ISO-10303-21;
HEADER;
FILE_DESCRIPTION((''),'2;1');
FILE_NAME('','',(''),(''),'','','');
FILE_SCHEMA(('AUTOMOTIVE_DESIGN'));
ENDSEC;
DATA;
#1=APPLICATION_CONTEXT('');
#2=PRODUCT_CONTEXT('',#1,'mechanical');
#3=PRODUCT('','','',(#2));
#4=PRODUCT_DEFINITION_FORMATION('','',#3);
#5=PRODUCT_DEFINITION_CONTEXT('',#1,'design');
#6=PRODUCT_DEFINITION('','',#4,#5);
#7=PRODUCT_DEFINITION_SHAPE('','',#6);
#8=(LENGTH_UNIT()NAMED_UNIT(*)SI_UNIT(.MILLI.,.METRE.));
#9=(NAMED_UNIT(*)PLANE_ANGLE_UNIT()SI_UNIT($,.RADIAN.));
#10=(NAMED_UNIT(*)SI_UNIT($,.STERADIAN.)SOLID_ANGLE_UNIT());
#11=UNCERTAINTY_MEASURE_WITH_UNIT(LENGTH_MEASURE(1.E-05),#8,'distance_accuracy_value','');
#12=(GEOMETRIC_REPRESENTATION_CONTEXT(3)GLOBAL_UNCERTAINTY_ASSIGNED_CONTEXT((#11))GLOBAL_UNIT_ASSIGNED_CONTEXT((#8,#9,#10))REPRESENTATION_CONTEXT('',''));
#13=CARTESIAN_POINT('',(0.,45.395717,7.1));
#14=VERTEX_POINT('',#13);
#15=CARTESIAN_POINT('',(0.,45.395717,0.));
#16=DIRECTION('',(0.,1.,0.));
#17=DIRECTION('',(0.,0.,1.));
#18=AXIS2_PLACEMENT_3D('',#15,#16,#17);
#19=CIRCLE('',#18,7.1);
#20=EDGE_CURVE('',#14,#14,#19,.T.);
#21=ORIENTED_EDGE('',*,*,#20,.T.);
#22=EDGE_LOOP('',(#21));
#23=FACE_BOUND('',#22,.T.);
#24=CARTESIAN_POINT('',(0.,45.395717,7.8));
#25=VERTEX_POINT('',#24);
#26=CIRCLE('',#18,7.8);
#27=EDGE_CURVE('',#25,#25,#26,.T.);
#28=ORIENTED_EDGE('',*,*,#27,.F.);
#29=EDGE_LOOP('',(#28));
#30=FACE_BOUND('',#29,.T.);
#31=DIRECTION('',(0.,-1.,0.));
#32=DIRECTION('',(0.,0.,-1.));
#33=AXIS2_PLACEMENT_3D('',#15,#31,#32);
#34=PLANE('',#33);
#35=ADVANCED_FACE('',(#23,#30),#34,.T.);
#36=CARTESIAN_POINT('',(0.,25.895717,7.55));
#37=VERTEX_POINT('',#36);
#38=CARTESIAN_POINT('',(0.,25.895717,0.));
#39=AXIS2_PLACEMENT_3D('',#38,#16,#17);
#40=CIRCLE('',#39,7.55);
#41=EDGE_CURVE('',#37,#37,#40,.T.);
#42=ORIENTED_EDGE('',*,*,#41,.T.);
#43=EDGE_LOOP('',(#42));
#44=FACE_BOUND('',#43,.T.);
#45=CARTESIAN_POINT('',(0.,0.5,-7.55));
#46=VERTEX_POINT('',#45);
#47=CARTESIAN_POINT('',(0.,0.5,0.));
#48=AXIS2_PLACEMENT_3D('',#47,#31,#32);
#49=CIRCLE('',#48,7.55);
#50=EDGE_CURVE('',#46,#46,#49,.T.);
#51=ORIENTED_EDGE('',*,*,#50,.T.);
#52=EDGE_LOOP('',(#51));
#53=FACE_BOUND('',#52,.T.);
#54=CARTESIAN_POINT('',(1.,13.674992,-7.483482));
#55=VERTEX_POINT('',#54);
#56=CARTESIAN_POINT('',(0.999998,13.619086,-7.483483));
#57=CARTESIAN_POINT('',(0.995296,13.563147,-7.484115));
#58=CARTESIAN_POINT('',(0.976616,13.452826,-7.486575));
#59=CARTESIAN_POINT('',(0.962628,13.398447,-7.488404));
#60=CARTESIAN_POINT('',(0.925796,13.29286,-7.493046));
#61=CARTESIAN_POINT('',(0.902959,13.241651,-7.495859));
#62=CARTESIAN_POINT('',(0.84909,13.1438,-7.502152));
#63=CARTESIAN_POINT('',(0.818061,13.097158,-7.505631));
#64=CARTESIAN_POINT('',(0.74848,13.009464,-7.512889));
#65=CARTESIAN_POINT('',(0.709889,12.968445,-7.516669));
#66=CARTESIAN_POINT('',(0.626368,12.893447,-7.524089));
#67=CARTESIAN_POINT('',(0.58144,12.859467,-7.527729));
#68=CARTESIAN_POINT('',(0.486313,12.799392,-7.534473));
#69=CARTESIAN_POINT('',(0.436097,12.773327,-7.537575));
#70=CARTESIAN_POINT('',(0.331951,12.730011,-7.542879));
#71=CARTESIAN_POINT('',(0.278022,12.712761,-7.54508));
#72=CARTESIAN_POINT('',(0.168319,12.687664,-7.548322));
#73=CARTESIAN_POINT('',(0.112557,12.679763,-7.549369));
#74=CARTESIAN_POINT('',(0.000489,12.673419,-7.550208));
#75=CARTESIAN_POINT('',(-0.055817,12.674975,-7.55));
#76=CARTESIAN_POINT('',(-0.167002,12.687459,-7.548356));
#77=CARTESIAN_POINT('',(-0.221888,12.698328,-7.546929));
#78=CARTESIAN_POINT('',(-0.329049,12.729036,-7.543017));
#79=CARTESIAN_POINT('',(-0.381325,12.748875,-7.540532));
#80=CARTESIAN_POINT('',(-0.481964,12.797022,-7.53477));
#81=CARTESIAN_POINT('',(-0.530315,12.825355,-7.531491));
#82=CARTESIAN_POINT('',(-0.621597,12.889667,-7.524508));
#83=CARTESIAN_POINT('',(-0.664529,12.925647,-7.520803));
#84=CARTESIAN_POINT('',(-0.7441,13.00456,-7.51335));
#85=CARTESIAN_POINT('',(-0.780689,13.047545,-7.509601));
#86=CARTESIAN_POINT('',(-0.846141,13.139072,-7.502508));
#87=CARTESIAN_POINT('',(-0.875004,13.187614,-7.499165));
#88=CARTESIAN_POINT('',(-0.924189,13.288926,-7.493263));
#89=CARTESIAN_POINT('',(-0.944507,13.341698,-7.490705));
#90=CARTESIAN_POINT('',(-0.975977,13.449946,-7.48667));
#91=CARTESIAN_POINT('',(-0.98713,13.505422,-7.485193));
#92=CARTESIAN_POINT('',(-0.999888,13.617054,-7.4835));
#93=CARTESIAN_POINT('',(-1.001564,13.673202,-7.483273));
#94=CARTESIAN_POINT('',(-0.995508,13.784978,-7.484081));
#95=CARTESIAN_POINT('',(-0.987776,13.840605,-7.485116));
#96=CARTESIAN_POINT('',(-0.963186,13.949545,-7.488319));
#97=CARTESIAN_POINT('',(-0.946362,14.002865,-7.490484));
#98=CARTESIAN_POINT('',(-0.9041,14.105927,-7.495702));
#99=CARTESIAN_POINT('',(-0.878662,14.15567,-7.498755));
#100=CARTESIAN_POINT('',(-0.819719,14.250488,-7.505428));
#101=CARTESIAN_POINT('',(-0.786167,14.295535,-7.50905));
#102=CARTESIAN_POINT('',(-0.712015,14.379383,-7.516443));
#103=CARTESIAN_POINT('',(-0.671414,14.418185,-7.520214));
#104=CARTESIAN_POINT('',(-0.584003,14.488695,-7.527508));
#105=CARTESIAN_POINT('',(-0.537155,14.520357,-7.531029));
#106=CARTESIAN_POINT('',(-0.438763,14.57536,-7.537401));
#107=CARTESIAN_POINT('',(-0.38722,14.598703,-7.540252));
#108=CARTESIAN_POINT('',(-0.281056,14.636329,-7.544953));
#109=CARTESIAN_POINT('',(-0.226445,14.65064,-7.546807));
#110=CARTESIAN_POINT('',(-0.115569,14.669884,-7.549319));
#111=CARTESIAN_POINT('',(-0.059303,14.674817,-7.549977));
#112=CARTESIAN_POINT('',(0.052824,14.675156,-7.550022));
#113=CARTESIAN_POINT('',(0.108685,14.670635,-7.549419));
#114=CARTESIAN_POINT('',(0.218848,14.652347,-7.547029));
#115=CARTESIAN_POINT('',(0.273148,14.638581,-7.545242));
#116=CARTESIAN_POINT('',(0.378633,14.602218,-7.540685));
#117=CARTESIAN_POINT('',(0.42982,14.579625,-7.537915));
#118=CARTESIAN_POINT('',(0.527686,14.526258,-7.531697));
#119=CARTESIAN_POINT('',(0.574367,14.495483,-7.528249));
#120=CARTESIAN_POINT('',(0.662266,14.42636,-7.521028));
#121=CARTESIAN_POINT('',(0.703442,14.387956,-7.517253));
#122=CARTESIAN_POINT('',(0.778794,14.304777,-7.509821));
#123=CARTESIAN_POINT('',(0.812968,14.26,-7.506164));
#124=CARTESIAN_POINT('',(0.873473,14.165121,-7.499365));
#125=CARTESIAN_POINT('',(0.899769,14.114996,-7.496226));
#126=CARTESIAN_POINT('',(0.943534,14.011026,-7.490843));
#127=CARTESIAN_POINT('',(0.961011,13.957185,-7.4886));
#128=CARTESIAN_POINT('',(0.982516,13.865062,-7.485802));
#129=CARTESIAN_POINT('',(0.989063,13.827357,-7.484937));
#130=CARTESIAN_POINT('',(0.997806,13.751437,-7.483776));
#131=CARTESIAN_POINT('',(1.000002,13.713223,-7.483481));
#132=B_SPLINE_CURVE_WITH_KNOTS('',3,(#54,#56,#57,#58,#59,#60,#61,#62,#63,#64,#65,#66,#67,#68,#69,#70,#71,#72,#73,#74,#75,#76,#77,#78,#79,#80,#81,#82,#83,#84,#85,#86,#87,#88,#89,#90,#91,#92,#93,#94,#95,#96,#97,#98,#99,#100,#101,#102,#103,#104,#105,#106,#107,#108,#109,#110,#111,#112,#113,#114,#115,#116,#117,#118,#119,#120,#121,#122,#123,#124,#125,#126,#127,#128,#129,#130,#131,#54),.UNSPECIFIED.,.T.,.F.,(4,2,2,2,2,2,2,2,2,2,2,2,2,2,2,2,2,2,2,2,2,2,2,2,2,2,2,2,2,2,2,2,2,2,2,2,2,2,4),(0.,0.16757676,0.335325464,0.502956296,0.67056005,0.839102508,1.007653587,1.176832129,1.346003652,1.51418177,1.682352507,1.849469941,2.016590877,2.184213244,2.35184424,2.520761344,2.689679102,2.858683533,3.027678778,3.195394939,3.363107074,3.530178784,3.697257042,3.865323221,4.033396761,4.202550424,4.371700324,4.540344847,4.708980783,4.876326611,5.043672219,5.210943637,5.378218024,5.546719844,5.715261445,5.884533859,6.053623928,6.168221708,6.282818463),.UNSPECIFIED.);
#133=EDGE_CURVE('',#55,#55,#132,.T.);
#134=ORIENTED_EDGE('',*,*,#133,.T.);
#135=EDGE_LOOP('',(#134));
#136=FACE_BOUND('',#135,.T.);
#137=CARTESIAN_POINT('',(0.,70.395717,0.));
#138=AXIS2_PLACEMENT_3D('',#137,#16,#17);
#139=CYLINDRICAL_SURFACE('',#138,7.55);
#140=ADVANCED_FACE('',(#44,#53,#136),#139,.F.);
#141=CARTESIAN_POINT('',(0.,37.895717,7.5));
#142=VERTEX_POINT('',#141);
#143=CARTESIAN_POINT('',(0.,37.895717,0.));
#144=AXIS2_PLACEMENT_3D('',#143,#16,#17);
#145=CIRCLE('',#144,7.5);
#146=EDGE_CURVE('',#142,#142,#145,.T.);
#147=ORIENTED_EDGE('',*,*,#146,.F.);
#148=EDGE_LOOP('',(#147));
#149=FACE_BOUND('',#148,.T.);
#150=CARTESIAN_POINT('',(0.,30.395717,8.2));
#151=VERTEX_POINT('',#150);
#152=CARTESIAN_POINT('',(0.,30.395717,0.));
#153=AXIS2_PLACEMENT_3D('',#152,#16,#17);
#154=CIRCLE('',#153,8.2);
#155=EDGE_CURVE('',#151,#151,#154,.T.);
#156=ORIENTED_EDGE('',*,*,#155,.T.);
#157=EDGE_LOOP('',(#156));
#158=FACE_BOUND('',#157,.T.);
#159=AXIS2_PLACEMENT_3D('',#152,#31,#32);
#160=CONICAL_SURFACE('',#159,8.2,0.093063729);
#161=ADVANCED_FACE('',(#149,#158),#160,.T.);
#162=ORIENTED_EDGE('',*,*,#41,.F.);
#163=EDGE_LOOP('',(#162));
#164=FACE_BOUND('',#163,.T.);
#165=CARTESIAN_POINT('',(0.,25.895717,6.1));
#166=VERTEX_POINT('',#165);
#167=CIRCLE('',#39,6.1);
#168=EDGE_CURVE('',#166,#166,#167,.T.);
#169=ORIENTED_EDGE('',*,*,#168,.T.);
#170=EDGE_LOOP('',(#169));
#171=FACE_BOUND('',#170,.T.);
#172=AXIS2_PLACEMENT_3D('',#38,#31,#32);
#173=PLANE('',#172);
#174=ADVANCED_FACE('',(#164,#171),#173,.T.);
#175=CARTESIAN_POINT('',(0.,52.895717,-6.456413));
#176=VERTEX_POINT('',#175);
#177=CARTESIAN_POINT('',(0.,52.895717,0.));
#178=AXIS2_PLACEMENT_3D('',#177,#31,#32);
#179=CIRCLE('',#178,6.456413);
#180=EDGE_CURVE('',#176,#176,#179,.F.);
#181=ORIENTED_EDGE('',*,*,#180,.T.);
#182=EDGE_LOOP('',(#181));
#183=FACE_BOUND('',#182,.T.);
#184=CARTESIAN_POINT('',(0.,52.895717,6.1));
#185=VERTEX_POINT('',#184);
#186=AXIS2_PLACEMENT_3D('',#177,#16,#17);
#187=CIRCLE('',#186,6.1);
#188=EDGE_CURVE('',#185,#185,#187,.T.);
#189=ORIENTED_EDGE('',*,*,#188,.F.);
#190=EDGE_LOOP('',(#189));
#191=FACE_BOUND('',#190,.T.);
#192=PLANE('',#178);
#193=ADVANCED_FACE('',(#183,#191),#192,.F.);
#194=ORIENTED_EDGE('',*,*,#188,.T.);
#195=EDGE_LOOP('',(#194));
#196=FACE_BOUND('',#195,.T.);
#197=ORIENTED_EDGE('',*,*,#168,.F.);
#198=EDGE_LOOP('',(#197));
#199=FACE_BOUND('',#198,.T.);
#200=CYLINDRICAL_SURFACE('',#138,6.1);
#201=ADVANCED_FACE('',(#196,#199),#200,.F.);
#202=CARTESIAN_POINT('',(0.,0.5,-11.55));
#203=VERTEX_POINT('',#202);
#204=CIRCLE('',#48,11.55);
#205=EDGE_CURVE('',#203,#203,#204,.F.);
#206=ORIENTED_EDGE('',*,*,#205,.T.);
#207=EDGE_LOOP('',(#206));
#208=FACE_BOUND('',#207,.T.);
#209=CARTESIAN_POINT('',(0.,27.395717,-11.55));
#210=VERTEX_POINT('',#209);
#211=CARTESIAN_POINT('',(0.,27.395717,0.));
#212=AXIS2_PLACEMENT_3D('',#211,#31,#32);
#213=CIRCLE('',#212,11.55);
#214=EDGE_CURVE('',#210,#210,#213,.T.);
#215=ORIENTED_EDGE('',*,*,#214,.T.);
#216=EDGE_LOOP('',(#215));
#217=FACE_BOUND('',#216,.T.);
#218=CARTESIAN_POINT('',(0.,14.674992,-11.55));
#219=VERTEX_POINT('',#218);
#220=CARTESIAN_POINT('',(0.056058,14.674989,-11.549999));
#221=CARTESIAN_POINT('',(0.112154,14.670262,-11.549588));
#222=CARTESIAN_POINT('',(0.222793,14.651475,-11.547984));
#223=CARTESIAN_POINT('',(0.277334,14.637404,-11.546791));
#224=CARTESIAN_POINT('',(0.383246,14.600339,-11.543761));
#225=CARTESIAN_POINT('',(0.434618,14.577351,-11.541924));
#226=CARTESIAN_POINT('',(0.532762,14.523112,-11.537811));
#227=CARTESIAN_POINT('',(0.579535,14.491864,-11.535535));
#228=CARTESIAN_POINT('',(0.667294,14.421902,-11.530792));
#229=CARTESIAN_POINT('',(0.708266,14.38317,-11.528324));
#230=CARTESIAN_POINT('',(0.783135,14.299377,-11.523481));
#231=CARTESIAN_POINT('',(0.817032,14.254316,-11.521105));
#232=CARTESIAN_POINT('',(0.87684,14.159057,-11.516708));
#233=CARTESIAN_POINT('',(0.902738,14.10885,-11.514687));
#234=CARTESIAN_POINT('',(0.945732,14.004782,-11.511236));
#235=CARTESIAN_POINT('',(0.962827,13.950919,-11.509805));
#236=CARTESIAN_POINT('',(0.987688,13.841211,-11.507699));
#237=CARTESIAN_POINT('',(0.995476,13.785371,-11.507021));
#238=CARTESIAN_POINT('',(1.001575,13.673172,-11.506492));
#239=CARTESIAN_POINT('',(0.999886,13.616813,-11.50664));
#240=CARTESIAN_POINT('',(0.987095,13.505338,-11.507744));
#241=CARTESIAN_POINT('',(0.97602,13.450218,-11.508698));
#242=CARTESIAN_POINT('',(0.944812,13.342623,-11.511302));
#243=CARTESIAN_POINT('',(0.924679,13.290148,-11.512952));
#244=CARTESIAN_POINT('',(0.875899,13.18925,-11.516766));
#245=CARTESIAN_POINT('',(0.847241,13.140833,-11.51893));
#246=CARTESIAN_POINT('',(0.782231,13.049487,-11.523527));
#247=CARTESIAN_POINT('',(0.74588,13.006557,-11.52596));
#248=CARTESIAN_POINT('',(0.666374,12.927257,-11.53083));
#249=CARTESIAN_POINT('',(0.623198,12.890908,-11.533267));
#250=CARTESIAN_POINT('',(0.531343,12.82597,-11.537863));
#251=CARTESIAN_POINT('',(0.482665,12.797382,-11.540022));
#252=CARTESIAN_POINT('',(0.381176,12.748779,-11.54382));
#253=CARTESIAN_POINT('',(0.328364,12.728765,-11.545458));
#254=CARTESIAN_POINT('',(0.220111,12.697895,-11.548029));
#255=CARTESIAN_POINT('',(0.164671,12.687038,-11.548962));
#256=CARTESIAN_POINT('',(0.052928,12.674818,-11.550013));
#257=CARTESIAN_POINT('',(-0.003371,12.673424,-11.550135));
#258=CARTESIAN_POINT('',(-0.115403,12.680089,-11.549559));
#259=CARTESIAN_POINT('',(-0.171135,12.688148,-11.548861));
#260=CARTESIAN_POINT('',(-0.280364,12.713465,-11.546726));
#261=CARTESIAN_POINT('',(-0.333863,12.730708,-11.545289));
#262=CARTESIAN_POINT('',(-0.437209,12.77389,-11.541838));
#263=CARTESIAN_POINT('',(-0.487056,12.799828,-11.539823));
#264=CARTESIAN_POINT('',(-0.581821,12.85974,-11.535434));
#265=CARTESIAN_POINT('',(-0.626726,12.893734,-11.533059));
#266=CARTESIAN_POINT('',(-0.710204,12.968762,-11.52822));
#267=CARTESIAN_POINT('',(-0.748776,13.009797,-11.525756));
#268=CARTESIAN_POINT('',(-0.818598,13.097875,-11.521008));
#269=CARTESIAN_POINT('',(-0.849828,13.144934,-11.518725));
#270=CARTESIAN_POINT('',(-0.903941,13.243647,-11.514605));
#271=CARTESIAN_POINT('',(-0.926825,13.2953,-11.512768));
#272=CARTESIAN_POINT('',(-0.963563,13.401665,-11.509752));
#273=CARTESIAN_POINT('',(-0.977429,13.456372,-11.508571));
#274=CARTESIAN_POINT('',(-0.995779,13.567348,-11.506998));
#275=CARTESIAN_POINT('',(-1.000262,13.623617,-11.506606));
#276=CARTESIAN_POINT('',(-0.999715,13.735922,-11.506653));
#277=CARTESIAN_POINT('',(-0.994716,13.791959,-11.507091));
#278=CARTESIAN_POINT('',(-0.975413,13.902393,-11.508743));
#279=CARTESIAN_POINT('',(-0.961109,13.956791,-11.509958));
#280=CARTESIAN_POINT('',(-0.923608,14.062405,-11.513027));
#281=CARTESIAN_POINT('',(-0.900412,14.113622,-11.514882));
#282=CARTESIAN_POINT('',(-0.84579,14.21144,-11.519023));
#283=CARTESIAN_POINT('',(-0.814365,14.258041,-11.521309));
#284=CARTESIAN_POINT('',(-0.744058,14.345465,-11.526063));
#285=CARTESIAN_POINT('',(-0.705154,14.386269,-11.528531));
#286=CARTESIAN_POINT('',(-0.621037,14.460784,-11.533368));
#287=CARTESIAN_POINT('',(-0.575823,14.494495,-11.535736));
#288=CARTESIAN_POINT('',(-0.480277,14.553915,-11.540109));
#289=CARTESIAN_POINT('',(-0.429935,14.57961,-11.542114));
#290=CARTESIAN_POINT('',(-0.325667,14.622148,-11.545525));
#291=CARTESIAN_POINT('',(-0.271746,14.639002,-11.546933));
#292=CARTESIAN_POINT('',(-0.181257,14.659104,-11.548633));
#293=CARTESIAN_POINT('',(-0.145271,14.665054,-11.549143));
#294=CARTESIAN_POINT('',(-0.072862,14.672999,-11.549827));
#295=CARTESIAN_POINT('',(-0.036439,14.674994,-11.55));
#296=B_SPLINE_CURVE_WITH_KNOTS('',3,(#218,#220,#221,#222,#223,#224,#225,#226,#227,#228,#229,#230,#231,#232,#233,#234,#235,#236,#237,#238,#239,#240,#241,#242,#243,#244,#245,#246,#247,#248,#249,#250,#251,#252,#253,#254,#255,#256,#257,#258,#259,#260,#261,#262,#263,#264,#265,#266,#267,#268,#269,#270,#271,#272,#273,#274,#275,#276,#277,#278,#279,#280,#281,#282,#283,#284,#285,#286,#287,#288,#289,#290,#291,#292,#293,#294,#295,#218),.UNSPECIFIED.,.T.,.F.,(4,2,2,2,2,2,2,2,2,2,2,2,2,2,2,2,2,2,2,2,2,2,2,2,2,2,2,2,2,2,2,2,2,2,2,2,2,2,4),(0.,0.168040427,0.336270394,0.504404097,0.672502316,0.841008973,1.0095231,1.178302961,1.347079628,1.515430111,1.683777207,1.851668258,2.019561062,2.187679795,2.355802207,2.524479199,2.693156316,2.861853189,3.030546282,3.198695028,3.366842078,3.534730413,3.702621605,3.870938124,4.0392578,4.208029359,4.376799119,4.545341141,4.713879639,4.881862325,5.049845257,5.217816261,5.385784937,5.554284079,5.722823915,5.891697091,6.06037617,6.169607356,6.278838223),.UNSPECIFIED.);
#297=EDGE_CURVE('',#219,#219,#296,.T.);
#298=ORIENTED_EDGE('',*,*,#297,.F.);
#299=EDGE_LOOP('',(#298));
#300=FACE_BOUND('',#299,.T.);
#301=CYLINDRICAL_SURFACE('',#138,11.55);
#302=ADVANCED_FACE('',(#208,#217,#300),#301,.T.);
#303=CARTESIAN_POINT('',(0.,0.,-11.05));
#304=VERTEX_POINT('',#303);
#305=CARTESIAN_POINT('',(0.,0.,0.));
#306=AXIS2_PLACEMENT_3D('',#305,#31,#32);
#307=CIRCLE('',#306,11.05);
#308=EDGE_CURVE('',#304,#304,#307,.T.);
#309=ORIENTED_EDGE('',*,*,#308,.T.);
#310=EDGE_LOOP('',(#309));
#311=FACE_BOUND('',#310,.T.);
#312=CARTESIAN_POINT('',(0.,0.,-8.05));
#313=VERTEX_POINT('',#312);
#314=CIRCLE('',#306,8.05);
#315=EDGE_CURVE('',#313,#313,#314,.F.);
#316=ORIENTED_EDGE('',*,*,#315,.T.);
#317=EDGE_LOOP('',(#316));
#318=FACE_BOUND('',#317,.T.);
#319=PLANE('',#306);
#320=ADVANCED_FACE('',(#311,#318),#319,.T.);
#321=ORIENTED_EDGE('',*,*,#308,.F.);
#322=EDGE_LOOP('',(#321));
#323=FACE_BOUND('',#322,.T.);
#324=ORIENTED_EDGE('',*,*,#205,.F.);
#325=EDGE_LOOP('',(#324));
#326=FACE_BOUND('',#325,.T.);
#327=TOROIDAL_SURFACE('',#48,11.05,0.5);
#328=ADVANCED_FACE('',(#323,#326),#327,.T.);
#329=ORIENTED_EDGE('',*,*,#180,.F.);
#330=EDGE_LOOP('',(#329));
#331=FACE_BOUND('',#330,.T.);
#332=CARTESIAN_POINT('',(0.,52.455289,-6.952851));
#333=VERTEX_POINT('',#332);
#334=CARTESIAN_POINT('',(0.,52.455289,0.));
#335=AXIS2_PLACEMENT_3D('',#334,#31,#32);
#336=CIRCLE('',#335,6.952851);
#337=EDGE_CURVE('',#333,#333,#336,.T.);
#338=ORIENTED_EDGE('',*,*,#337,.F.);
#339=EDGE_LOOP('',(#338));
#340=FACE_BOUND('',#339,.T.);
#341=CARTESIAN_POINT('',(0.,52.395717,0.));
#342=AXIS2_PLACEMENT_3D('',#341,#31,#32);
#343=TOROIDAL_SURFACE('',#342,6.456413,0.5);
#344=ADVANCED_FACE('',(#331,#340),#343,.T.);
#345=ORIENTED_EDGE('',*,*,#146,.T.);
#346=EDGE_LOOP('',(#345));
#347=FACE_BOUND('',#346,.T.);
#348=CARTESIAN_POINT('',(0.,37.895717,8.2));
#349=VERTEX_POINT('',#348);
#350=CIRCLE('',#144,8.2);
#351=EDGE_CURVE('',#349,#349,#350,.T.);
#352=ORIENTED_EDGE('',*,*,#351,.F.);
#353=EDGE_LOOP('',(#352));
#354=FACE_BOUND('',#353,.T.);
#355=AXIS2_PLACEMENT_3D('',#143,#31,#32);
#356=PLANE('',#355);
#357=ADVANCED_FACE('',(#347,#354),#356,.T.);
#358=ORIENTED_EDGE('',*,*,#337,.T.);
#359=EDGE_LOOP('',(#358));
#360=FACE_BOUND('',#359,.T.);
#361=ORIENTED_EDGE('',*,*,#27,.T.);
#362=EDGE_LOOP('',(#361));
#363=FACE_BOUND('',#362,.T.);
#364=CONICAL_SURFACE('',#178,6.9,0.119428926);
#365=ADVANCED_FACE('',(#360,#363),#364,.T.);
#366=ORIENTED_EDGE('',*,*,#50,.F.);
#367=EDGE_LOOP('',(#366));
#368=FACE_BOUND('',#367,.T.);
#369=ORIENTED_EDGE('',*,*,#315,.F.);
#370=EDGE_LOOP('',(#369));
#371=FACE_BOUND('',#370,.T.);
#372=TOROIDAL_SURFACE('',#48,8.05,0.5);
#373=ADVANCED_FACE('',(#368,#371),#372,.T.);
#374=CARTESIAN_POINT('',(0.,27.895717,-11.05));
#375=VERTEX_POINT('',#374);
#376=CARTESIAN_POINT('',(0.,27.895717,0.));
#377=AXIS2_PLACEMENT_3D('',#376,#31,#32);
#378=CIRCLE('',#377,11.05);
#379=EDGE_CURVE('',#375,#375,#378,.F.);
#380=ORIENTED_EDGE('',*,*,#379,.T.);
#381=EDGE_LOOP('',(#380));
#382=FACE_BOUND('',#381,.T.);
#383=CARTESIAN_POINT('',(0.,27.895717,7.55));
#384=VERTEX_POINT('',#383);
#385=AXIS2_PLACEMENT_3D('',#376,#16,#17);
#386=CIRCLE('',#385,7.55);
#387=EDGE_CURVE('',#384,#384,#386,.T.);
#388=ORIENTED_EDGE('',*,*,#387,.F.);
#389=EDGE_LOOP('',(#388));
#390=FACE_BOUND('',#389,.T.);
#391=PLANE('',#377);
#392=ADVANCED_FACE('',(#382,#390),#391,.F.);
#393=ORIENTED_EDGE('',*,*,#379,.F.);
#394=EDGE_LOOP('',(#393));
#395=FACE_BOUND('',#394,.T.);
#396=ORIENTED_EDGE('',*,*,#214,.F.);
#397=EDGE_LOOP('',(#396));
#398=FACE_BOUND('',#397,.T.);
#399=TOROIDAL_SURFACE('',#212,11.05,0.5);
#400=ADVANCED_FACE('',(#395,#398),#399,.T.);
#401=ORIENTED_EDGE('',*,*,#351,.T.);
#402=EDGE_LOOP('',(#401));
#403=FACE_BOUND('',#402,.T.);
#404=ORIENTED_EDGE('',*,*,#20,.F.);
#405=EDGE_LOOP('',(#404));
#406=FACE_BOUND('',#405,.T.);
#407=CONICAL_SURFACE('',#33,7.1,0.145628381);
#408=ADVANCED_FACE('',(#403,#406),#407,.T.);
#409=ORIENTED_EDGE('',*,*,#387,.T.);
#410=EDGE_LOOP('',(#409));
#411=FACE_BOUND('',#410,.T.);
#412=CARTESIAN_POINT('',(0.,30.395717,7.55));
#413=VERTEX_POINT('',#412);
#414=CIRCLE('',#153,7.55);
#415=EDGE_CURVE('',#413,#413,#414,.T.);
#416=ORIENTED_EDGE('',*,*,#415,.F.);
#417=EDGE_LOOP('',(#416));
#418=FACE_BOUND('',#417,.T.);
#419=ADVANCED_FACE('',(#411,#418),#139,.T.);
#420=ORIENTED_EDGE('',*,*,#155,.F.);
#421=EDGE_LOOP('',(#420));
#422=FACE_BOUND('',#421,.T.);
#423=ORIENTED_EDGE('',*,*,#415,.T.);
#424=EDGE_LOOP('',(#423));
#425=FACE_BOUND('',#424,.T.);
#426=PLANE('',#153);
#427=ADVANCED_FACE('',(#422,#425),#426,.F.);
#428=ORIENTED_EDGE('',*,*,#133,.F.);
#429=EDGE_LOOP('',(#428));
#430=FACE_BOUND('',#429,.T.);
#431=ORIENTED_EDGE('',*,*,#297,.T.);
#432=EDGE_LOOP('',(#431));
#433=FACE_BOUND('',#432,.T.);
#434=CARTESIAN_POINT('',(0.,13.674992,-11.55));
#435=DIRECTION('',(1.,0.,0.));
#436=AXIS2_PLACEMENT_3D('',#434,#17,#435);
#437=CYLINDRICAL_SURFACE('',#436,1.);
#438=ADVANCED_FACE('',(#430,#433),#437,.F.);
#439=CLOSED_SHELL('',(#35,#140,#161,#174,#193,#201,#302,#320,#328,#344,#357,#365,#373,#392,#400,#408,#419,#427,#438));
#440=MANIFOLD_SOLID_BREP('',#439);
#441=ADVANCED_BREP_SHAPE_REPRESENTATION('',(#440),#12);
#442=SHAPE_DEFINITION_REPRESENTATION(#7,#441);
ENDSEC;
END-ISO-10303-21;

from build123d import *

# Parameters (mm, degrees)
REDONDEO2_R           = 0.5
CROQUIS1_R            = 1
CORTAR_EXTRUIR1_DEPTH = 56.360291205
REDONDEO4_R           = 0.5


with BuildPart() as part:
    # Sketch3 → Revolve1 (revolve)
    with BuildSketch(Plane.XY, mode=Mode.PRIVATE) as revolve1_sk:
        Polygon((7.8, 45.39571665), (7.1, 45.39571665), (8.2, 37.89571665), (7.5, 37.89571665), (8.2, 30.39571665), (7.55, 30.39571665), (7.55, 27.89571665), (11.55, 27.89571665), (11.55, 0), (7.55, 0), (7.55, 25.89571665), (6.1, 25.89571665), (6.1, 52.89571665), (6.9, 52.89571665), align=None)
    revolve(revolve1_sk.sketch.rotate(Axis((0, 70.39571665, 0), (0, -1, 0)), 90), axis=Axis((0, 70.39571665, 0), (0, -1, 0)))

    # Redondeo2
    redondeo2_edges = [part.edges().sort_by_distance(p)[0] for p in [
        (0, 27.89571665, -11.55),
        (0, 0, -11.55),
        (0, 0, -7.55),
    ]]
    fillet(redondeo2_edges, radius=REDONDEO2_R)

    # Croquis1 → Cortar-Extruir1 (cut, through all)
    with BuildSketch(Plane.XY):
        with Locations((0, 13.674991935)):
            Circle(CROQUIS1_R)
    extrude(amount=-CORTAR_EXTRUIR1_DEPTH, mode=Mode.SUBTRACT)

    # Redondeo4
    redondeo4_edges = [part.edges().sort_by_distance(p)[0] for p in [
        (0, 52.89571665, -6.9),
    ]]
    fillet(redondeo4_edges, radius=REDONDEO4_R)


solid = part.part
